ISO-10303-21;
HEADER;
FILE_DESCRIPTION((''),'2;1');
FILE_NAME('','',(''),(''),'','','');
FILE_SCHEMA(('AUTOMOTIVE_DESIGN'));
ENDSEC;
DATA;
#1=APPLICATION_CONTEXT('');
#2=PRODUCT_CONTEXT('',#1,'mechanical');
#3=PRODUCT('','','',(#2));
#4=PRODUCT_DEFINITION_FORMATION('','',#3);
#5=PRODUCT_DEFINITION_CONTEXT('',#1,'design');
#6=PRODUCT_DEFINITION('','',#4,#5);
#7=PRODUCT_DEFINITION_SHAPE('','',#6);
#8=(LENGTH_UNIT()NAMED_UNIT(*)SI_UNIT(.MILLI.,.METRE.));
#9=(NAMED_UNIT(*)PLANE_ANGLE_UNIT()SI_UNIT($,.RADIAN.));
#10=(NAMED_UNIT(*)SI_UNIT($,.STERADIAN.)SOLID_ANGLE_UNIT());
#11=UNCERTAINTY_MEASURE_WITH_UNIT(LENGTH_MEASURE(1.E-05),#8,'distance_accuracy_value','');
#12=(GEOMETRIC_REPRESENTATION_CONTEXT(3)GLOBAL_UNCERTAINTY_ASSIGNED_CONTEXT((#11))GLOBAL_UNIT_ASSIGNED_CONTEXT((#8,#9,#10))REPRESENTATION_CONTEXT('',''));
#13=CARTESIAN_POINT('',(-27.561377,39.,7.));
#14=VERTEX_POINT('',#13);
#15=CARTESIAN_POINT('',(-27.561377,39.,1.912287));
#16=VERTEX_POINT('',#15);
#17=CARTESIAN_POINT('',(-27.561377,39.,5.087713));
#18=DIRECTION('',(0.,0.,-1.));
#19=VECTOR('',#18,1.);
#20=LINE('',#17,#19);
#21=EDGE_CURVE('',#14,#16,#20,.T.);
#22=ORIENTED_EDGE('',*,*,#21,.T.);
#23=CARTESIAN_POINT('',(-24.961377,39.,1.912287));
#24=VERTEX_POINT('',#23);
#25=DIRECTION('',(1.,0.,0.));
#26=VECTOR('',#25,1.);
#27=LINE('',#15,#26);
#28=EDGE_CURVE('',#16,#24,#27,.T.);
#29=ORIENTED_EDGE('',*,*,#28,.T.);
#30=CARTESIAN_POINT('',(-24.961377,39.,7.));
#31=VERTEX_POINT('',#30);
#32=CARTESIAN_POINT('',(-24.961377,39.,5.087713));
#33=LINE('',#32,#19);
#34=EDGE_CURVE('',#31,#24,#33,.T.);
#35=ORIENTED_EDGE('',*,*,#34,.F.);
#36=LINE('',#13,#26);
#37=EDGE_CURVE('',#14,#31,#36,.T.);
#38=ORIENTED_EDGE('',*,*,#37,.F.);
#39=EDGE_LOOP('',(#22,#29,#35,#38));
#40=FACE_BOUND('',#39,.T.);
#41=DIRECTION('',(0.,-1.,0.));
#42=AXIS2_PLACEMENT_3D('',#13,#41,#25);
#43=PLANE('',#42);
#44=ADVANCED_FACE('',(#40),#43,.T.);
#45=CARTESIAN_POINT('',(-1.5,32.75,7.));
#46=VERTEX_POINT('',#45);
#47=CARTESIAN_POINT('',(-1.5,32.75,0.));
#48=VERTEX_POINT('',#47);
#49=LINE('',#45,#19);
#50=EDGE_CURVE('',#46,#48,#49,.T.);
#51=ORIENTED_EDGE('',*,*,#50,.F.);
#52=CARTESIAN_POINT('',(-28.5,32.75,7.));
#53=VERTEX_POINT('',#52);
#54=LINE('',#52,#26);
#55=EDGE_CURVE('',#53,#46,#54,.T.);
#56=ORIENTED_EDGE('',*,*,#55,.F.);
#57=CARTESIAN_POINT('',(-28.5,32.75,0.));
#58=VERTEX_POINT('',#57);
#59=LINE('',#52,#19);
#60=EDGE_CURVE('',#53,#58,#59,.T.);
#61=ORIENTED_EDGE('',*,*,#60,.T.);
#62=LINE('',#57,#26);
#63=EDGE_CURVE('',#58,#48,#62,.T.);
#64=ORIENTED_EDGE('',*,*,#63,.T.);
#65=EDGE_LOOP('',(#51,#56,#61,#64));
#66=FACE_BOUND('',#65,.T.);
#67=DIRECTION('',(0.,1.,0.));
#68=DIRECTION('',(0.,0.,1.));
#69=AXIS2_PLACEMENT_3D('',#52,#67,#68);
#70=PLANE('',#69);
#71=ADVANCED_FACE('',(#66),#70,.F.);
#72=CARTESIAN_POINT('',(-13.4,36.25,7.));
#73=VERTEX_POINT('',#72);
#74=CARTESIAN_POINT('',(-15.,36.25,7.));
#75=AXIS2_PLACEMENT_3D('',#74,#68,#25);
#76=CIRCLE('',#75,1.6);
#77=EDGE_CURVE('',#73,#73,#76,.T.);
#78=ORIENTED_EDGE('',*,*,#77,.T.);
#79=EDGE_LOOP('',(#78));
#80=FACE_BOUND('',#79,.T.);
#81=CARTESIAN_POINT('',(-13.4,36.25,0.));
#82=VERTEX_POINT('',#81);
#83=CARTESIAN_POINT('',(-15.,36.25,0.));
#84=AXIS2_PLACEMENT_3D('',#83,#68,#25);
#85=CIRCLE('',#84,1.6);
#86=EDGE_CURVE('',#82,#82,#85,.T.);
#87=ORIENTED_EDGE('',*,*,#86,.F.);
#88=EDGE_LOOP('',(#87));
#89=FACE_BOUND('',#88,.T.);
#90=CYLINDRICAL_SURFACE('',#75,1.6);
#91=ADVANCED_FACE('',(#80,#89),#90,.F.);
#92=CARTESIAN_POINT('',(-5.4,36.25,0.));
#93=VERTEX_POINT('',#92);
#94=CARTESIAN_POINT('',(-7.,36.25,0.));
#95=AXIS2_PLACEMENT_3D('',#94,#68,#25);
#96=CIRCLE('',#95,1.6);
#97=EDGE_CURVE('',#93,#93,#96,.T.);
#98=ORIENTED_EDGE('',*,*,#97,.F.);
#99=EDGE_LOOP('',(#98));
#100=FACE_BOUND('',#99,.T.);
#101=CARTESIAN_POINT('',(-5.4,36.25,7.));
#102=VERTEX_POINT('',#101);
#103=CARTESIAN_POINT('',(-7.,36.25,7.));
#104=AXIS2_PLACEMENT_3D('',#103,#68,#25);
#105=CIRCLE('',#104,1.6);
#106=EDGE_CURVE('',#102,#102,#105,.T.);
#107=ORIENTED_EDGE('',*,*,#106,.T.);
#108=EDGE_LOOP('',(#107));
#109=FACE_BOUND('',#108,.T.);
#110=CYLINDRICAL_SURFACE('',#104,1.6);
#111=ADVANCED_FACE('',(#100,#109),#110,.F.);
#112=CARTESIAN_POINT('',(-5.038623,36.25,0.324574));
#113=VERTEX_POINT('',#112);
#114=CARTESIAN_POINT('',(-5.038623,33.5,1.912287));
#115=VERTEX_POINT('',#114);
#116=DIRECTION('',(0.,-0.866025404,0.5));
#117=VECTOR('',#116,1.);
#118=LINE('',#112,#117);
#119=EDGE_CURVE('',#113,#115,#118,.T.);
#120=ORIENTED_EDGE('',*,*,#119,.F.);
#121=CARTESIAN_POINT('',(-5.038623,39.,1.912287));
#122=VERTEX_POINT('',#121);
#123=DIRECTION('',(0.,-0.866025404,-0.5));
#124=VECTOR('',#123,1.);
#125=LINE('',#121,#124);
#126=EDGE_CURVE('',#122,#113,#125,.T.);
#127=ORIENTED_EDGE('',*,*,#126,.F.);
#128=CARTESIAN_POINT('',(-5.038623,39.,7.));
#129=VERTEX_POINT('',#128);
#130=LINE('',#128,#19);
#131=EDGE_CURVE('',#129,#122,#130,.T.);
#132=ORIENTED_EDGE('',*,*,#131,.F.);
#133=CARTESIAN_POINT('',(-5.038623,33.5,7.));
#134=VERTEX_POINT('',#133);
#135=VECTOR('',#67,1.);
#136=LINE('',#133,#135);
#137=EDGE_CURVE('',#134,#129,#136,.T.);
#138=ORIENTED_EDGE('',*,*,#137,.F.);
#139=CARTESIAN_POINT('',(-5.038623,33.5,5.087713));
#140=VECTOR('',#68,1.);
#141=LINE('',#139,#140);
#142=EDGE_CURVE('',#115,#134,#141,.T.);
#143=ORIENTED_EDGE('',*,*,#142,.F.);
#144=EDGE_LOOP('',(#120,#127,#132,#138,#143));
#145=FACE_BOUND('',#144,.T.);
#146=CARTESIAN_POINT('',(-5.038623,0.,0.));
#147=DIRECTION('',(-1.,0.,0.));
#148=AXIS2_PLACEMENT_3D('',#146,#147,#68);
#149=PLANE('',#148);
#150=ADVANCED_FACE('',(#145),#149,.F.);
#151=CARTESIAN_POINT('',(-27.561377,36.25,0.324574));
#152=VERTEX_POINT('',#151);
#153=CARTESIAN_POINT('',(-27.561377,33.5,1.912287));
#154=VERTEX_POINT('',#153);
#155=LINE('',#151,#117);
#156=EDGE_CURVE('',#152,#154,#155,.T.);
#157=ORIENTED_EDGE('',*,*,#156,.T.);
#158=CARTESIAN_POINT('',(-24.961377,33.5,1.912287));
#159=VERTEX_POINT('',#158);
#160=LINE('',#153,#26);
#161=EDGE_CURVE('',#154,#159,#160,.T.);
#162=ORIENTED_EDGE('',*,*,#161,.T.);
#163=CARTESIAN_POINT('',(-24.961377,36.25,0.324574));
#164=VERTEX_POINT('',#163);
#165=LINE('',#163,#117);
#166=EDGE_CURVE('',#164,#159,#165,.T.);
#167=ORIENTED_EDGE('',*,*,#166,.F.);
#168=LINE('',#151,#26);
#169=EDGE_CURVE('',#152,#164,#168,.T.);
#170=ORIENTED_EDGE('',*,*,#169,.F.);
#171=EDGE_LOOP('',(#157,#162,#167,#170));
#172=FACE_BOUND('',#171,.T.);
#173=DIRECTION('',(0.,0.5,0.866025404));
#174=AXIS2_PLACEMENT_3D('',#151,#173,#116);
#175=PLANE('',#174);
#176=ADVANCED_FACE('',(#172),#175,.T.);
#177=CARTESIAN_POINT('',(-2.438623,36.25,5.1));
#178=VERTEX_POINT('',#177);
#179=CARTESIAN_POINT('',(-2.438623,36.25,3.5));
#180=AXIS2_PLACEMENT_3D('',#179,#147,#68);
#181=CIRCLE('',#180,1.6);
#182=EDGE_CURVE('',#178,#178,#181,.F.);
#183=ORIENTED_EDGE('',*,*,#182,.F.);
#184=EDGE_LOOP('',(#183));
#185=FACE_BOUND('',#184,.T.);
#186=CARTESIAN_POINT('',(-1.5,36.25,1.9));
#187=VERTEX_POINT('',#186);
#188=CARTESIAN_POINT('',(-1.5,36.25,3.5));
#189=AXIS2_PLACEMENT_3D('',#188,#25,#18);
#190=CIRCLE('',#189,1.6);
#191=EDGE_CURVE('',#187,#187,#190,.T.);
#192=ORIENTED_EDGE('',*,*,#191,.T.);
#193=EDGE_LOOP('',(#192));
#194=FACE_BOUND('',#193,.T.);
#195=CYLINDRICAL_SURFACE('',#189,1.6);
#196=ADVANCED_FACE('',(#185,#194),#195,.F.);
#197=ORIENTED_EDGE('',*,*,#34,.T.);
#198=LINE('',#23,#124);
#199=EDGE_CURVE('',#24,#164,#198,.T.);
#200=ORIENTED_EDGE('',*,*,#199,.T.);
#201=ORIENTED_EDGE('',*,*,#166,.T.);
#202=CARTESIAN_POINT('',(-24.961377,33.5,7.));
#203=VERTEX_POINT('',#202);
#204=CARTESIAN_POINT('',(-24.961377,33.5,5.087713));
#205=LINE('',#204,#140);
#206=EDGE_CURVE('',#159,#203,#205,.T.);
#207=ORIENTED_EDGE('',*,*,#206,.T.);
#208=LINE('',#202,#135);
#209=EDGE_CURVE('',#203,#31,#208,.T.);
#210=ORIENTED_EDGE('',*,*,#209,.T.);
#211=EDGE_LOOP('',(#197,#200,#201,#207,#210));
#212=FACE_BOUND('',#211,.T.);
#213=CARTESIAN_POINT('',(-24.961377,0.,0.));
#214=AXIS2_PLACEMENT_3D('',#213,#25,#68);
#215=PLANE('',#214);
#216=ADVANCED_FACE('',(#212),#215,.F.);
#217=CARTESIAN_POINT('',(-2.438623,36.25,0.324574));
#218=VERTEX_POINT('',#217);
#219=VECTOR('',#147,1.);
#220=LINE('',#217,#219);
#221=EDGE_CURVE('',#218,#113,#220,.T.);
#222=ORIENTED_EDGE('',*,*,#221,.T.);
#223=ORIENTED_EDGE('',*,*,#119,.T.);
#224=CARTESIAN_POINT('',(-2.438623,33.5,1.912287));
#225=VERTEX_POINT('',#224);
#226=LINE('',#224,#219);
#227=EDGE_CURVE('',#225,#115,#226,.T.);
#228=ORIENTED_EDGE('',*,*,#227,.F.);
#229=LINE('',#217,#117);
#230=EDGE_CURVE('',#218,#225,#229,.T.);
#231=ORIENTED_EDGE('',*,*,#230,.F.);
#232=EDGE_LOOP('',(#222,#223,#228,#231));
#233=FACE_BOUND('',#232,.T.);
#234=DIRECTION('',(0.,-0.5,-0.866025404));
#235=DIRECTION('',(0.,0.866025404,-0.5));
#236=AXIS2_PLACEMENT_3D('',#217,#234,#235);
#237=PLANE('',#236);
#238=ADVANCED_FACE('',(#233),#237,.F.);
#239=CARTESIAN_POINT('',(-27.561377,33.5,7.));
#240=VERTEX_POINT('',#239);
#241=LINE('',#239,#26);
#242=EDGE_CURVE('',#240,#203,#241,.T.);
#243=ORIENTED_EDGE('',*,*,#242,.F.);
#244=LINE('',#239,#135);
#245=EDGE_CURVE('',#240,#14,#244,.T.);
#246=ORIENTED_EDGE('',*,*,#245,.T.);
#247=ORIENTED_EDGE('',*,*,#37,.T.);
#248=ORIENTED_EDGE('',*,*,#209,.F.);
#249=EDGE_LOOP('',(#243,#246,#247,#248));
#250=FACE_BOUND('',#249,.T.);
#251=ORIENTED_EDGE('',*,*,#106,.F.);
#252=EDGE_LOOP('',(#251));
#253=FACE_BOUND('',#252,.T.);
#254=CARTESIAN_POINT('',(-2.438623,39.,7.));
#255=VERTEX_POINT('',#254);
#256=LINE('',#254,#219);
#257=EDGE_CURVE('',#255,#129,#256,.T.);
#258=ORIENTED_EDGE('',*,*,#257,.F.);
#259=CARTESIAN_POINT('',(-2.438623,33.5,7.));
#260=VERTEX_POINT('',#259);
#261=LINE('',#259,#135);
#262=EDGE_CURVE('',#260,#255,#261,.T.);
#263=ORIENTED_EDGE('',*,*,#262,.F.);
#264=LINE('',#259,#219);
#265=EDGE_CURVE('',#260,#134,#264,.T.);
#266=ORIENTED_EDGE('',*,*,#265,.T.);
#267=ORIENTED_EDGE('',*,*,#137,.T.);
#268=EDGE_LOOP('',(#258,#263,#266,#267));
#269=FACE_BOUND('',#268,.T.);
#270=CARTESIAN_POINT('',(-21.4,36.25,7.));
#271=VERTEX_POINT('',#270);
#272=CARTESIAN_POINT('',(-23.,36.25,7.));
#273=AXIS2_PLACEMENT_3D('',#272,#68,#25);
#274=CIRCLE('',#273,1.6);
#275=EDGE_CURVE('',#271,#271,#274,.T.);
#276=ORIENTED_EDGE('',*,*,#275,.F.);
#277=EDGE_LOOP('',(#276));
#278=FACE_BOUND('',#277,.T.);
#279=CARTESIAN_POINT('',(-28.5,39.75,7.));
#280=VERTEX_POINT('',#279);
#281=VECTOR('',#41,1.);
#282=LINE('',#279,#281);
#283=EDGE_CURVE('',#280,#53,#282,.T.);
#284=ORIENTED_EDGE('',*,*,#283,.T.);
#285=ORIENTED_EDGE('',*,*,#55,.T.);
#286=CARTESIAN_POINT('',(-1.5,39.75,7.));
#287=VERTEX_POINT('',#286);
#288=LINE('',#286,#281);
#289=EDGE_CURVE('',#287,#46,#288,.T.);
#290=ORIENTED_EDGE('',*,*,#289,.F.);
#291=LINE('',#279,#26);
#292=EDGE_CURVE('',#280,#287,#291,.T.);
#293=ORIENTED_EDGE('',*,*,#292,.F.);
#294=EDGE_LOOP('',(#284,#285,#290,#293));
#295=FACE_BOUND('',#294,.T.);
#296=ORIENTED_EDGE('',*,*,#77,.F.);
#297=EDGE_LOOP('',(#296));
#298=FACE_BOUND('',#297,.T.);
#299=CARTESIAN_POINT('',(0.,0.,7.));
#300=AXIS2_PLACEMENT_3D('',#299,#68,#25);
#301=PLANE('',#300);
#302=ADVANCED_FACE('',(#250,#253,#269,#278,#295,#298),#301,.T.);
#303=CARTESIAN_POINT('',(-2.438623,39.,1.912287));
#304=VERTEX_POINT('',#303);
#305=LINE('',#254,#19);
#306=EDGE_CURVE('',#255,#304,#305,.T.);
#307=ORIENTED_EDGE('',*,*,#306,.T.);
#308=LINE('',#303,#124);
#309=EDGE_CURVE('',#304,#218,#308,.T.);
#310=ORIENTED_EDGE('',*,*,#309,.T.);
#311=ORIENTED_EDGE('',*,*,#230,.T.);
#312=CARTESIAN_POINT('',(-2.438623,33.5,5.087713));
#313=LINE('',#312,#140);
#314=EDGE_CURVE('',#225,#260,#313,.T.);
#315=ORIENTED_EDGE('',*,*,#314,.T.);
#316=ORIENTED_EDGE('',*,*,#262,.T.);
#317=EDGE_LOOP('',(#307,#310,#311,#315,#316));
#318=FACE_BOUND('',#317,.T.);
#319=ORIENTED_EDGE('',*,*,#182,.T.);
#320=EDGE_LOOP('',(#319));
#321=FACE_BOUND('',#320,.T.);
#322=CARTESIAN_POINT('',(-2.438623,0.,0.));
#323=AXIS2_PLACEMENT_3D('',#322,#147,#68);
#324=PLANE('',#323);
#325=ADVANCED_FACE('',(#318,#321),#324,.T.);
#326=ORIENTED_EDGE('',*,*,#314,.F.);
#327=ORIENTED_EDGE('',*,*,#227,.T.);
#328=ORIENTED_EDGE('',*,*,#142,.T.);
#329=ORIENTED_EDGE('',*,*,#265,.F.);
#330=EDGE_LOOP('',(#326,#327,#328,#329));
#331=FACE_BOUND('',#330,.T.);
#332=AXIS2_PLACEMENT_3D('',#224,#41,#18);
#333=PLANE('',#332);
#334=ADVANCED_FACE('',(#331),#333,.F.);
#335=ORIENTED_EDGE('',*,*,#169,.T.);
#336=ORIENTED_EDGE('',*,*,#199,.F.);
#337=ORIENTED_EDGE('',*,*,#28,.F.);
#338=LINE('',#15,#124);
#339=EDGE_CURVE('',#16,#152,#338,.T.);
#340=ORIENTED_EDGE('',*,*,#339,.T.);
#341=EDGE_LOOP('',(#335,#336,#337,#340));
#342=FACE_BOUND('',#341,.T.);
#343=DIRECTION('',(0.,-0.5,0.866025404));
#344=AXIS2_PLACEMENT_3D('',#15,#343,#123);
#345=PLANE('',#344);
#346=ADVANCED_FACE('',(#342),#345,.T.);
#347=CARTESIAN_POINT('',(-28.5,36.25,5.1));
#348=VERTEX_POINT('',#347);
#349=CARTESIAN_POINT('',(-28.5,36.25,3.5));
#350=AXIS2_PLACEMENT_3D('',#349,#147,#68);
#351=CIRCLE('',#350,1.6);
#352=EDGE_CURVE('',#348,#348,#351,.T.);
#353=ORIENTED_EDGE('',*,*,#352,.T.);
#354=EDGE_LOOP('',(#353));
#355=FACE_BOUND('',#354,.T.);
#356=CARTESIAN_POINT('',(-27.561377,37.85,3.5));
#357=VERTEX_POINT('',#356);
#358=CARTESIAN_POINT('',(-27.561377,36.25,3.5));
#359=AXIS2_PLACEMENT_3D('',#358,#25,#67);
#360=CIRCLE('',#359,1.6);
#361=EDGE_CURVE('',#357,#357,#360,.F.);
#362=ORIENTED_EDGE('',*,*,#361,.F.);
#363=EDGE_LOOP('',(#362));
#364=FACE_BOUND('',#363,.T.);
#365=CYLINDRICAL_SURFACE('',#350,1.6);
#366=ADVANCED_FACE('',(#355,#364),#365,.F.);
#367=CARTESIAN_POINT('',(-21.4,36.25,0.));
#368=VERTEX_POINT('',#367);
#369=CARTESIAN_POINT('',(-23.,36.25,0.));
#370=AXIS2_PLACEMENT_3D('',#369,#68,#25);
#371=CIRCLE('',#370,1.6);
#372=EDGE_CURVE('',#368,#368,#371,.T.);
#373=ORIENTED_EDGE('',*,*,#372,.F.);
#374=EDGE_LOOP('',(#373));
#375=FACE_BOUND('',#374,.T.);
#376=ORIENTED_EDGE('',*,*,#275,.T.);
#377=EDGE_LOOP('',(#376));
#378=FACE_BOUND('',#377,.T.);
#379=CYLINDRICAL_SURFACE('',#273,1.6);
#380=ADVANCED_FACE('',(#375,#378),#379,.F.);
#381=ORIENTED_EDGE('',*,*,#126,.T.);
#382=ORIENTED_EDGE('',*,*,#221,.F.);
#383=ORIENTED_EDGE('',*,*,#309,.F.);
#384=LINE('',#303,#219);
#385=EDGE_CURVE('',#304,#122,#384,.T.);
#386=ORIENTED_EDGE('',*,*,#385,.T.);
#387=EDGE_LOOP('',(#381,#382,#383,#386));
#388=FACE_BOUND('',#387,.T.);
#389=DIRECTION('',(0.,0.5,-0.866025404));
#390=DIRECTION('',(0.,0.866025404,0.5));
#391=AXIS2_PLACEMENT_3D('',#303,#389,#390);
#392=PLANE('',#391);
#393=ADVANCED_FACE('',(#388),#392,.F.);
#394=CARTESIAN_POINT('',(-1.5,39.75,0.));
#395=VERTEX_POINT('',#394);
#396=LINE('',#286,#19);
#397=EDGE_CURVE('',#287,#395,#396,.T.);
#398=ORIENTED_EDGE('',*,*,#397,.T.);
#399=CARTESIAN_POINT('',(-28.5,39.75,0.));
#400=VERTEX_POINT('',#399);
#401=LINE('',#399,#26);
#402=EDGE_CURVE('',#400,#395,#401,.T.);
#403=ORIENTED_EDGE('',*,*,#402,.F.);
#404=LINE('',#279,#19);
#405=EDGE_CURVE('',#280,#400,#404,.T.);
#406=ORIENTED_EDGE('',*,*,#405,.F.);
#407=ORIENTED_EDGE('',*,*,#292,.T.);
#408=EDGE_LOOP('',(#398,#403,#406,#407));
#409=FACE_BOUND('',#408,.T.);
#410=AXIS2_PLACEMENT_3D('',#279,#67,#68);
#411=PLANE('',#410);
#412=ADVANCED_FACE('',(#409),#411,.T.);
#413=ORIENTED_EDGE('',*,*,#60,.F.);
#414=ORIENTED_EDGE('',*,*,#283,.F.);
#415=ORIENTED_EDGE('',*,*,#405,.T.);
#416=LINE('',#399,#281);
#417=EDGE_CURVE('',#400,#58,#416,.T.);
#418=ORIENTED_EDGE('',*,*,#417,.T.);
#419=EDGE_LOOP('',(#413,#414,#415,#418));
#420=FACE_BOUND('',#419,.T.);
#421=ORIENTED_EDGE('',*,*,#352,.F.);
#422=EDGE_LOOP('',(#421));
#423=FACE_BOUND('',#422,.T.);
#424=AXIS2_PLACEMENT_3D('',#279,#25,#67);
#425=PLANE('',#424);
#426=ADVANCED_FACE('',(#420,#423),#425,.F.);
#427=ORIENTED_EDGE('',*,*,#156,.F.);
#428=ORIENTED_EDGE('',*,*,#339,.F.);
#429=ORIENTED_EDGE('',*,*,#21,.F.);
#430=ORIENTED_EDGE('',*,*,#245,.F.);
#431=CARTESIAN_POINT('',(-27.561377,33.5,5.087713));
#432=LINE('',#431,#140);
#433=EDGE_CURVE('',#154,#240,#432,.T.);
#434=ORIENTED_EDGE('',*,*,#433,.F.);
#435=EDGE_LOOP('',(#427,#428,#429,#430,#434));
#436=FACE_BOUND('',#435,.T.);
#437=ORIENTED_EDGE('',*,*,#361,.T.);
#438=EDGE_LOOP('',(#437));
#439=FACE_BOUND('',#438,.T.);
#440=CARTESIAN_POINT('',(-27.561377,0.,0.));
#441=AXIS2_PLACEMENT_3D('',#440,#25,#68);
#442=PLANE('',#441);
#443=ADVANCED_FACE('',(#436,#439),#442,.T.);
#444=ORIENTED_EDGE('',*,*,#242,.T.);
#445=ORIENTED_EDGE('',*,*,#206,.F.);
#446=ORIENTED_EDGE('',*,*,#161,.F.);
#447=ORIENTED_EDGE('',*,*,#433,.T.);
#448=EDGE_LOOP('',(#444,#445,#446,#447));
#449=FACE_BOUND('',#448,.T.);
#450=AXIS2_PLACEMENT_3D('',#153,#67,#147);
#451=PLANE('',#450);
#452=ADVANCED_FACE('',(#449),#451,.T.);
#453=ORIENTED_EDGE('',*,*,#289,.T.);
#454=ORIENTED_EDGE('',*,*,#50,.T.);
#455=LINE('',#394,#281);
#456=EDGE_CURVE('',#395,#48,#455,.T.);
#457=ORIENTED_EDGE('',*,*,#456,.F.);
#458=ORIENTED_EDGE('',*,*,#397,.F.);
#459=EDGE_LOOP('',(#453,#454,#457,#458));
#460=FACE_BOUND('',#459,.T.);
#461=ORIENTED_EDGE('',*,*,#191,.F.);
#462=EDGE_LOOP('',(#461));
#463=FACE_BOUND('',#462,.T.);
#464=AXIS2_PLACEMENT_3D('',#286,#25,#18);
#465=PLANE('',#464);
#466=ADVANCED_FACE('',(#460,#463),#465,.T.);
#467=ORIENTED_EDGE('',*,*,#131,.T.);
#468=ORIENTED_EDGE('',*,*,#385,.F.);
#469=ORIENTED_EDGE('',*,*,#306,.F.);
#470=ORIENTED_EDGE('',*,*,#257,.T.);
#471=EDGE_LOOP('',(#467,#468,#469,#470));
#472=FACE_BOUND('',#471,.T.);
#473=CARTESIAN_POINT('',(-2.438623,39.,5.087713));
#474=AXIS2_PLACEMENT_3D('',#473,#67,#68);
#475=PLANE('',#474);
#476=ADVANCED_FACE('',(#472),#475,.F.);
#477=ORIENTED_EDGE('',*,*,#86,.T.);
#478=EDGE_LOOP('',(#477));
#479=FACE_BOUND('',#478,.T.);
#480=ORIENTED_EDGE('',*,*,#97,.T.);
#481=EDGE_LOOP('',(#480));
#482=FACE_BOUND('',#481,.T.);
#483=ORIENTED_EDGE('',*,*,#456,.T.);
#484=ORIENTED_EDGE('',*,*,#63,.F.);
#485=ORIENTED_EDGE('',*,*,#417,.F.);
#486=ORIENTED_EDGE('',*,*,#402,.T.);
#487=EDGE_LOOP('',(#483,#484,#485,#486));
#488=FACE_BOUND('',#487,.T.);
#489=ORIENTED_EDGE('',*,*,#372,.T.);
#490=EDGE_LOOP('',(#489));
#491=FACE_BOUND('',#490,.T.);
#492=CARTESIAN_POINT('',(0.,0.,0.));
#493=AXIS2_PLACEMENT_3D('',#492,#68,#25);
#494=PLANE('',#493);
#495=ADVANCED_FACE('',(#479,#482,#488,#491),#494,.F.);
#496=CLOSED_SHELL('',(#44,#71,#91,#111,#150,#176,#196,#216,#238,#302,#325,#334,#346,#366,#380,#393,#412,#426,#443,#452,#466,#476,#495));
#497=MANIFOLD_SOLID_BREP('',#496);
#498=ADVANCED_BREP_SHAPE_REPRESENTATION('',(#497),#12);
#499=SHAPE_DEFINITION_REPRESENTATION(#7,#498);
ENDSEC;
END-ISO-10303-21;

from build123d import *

# Parameters (mm, degrees)
SKETCH1_W                      = 27
SKETCH1_H                      = 7
BOSS_EXTRUDE1_DEPTH            = 7
SIDE_SHAFT_HOLES_M3_AT_2_COUNT = 2
SIDE_SHAFT_HOLES_M3_AT_2_PITCH = 48.812875198
SKETCH9_R                      = 1.6
BOSS_EXTRUDE2_DEPTH            = 3.4
M3_CLEARANCE_HOLE1_D           = 3.2
CUT_EXTRUDE1_START             = -2.1
CUT_EXTRUDE1_DEPTH             = 2.6


with BuildPart() as part:
    # Sketch1 → Boss-Extrude1 (new body)
    with BuildSketch(Plane.XY):
        with Locations((-15, 36.25)):
            Rectangle(SKETCH1_W, SKETCH1_H)
    extrude(amount=BOSS_EXTRUDE1_DEPTH)

    # Sketch2 → Side Shaft Holes (M3) (revolve, cut)
    with BuildSketch(Plane(origin=(-1.5, 36.25, 3.5), x_dir=(0, 0, -1), z_dir=(0, 1, 0))):
        Polygon((0, 0), (0, 4), (1.6, 3.03862301), (1.6, 0), align=None)
    side_shaft_holes_m3 = revolve(axis=Axis((4.85, 36.25, 3.5), (-1, 0, 0)), mode=Mode.SUBTRACT)

    # Side Shaft Holes (M3) at 2: Side Shaft Holes (M3) ×2
    with Locations(*[(0, 0, -i * SIDE_SHAFT_HOLES_M3_AT_2_PITCH) for i in range(1, SIDE_SHAFT_HOLES_M3_AT_2_COUNT)]):
        add(side_shaft_holes_m3, mode=Mode.SUBTRACT)

    # Sketch9 → Boss-Extrude2 (add)
    with BuildSketch(Plane.ZY.offset(4.53862301)):
        with Locations(Location((3.5, 36.25, 0), (0, 0, 180))):
            Circle(SKETCH9_R)
    boss_extrude2 = extrude(amount=BOSS_EXTRUDE2_DEPTH)

    # Shaft Hole Mirror: Side Shaft Holes (M3), Boss-Extrude2 across plane
    add(side_shaft_holes_m3.mirror(Plane.ZY.offset(15)), mode=Mode.SUBTRACT)
    add(boss_extrude2.mirror(Plane.ZY.offset(15)))

    # Shaft Hole Mirror copy 1 sketch → Shaft Hole Mirror copy 1 (revolve, cut)
    with BuildSketch(Plane(origin=(-28.5, 36.25, -45.312875198), x_dir=(0, 0, -1), z_dir=(0, 1, 0))):
        Polygon((0, 0), (0, -4), (1.6, -3.03862301), (1.6, 0), align=None)
    revolve(axis=Axis((-34.85, 36.25, -45.312875198), (-1, 0, 0)), mode=Mode.SUBTRACT)

    # M3 Clearance Hole1 (through all)
    with Locations(Plane.XY.offset(7)):
        with Locations((-7, 36.25), (-15, 36.25), (-23, 36.25)):
            Hole(M3_CLEARANCE_HOLE1_D / 2)

    # Sketch8 → Cut-Extrude1 (cut)
    with BuildSketch(Plane.ZY.offset(4.53862301).offset(CUT_EXTRUDE1_START)):
        Polygon((0.324573519, 36.25), (1.91228676, 33.5), (5.08771324, 33.5), (7, 33.5), (7, 39), (5.08771324, 39), (1.91228676, 39), align=None)
    cut_extrude1 = extrude(amount=CUT_EXTRUDE1_DEPTH, mode=Mode.SUBTRACT)

    # Mirror1: Cut-Extrude1 across plane
    add(cut_extrude1.mirror(Plane.ZY.offset(15)), mode=Mode.SUBTRACT)


solid = part.part
